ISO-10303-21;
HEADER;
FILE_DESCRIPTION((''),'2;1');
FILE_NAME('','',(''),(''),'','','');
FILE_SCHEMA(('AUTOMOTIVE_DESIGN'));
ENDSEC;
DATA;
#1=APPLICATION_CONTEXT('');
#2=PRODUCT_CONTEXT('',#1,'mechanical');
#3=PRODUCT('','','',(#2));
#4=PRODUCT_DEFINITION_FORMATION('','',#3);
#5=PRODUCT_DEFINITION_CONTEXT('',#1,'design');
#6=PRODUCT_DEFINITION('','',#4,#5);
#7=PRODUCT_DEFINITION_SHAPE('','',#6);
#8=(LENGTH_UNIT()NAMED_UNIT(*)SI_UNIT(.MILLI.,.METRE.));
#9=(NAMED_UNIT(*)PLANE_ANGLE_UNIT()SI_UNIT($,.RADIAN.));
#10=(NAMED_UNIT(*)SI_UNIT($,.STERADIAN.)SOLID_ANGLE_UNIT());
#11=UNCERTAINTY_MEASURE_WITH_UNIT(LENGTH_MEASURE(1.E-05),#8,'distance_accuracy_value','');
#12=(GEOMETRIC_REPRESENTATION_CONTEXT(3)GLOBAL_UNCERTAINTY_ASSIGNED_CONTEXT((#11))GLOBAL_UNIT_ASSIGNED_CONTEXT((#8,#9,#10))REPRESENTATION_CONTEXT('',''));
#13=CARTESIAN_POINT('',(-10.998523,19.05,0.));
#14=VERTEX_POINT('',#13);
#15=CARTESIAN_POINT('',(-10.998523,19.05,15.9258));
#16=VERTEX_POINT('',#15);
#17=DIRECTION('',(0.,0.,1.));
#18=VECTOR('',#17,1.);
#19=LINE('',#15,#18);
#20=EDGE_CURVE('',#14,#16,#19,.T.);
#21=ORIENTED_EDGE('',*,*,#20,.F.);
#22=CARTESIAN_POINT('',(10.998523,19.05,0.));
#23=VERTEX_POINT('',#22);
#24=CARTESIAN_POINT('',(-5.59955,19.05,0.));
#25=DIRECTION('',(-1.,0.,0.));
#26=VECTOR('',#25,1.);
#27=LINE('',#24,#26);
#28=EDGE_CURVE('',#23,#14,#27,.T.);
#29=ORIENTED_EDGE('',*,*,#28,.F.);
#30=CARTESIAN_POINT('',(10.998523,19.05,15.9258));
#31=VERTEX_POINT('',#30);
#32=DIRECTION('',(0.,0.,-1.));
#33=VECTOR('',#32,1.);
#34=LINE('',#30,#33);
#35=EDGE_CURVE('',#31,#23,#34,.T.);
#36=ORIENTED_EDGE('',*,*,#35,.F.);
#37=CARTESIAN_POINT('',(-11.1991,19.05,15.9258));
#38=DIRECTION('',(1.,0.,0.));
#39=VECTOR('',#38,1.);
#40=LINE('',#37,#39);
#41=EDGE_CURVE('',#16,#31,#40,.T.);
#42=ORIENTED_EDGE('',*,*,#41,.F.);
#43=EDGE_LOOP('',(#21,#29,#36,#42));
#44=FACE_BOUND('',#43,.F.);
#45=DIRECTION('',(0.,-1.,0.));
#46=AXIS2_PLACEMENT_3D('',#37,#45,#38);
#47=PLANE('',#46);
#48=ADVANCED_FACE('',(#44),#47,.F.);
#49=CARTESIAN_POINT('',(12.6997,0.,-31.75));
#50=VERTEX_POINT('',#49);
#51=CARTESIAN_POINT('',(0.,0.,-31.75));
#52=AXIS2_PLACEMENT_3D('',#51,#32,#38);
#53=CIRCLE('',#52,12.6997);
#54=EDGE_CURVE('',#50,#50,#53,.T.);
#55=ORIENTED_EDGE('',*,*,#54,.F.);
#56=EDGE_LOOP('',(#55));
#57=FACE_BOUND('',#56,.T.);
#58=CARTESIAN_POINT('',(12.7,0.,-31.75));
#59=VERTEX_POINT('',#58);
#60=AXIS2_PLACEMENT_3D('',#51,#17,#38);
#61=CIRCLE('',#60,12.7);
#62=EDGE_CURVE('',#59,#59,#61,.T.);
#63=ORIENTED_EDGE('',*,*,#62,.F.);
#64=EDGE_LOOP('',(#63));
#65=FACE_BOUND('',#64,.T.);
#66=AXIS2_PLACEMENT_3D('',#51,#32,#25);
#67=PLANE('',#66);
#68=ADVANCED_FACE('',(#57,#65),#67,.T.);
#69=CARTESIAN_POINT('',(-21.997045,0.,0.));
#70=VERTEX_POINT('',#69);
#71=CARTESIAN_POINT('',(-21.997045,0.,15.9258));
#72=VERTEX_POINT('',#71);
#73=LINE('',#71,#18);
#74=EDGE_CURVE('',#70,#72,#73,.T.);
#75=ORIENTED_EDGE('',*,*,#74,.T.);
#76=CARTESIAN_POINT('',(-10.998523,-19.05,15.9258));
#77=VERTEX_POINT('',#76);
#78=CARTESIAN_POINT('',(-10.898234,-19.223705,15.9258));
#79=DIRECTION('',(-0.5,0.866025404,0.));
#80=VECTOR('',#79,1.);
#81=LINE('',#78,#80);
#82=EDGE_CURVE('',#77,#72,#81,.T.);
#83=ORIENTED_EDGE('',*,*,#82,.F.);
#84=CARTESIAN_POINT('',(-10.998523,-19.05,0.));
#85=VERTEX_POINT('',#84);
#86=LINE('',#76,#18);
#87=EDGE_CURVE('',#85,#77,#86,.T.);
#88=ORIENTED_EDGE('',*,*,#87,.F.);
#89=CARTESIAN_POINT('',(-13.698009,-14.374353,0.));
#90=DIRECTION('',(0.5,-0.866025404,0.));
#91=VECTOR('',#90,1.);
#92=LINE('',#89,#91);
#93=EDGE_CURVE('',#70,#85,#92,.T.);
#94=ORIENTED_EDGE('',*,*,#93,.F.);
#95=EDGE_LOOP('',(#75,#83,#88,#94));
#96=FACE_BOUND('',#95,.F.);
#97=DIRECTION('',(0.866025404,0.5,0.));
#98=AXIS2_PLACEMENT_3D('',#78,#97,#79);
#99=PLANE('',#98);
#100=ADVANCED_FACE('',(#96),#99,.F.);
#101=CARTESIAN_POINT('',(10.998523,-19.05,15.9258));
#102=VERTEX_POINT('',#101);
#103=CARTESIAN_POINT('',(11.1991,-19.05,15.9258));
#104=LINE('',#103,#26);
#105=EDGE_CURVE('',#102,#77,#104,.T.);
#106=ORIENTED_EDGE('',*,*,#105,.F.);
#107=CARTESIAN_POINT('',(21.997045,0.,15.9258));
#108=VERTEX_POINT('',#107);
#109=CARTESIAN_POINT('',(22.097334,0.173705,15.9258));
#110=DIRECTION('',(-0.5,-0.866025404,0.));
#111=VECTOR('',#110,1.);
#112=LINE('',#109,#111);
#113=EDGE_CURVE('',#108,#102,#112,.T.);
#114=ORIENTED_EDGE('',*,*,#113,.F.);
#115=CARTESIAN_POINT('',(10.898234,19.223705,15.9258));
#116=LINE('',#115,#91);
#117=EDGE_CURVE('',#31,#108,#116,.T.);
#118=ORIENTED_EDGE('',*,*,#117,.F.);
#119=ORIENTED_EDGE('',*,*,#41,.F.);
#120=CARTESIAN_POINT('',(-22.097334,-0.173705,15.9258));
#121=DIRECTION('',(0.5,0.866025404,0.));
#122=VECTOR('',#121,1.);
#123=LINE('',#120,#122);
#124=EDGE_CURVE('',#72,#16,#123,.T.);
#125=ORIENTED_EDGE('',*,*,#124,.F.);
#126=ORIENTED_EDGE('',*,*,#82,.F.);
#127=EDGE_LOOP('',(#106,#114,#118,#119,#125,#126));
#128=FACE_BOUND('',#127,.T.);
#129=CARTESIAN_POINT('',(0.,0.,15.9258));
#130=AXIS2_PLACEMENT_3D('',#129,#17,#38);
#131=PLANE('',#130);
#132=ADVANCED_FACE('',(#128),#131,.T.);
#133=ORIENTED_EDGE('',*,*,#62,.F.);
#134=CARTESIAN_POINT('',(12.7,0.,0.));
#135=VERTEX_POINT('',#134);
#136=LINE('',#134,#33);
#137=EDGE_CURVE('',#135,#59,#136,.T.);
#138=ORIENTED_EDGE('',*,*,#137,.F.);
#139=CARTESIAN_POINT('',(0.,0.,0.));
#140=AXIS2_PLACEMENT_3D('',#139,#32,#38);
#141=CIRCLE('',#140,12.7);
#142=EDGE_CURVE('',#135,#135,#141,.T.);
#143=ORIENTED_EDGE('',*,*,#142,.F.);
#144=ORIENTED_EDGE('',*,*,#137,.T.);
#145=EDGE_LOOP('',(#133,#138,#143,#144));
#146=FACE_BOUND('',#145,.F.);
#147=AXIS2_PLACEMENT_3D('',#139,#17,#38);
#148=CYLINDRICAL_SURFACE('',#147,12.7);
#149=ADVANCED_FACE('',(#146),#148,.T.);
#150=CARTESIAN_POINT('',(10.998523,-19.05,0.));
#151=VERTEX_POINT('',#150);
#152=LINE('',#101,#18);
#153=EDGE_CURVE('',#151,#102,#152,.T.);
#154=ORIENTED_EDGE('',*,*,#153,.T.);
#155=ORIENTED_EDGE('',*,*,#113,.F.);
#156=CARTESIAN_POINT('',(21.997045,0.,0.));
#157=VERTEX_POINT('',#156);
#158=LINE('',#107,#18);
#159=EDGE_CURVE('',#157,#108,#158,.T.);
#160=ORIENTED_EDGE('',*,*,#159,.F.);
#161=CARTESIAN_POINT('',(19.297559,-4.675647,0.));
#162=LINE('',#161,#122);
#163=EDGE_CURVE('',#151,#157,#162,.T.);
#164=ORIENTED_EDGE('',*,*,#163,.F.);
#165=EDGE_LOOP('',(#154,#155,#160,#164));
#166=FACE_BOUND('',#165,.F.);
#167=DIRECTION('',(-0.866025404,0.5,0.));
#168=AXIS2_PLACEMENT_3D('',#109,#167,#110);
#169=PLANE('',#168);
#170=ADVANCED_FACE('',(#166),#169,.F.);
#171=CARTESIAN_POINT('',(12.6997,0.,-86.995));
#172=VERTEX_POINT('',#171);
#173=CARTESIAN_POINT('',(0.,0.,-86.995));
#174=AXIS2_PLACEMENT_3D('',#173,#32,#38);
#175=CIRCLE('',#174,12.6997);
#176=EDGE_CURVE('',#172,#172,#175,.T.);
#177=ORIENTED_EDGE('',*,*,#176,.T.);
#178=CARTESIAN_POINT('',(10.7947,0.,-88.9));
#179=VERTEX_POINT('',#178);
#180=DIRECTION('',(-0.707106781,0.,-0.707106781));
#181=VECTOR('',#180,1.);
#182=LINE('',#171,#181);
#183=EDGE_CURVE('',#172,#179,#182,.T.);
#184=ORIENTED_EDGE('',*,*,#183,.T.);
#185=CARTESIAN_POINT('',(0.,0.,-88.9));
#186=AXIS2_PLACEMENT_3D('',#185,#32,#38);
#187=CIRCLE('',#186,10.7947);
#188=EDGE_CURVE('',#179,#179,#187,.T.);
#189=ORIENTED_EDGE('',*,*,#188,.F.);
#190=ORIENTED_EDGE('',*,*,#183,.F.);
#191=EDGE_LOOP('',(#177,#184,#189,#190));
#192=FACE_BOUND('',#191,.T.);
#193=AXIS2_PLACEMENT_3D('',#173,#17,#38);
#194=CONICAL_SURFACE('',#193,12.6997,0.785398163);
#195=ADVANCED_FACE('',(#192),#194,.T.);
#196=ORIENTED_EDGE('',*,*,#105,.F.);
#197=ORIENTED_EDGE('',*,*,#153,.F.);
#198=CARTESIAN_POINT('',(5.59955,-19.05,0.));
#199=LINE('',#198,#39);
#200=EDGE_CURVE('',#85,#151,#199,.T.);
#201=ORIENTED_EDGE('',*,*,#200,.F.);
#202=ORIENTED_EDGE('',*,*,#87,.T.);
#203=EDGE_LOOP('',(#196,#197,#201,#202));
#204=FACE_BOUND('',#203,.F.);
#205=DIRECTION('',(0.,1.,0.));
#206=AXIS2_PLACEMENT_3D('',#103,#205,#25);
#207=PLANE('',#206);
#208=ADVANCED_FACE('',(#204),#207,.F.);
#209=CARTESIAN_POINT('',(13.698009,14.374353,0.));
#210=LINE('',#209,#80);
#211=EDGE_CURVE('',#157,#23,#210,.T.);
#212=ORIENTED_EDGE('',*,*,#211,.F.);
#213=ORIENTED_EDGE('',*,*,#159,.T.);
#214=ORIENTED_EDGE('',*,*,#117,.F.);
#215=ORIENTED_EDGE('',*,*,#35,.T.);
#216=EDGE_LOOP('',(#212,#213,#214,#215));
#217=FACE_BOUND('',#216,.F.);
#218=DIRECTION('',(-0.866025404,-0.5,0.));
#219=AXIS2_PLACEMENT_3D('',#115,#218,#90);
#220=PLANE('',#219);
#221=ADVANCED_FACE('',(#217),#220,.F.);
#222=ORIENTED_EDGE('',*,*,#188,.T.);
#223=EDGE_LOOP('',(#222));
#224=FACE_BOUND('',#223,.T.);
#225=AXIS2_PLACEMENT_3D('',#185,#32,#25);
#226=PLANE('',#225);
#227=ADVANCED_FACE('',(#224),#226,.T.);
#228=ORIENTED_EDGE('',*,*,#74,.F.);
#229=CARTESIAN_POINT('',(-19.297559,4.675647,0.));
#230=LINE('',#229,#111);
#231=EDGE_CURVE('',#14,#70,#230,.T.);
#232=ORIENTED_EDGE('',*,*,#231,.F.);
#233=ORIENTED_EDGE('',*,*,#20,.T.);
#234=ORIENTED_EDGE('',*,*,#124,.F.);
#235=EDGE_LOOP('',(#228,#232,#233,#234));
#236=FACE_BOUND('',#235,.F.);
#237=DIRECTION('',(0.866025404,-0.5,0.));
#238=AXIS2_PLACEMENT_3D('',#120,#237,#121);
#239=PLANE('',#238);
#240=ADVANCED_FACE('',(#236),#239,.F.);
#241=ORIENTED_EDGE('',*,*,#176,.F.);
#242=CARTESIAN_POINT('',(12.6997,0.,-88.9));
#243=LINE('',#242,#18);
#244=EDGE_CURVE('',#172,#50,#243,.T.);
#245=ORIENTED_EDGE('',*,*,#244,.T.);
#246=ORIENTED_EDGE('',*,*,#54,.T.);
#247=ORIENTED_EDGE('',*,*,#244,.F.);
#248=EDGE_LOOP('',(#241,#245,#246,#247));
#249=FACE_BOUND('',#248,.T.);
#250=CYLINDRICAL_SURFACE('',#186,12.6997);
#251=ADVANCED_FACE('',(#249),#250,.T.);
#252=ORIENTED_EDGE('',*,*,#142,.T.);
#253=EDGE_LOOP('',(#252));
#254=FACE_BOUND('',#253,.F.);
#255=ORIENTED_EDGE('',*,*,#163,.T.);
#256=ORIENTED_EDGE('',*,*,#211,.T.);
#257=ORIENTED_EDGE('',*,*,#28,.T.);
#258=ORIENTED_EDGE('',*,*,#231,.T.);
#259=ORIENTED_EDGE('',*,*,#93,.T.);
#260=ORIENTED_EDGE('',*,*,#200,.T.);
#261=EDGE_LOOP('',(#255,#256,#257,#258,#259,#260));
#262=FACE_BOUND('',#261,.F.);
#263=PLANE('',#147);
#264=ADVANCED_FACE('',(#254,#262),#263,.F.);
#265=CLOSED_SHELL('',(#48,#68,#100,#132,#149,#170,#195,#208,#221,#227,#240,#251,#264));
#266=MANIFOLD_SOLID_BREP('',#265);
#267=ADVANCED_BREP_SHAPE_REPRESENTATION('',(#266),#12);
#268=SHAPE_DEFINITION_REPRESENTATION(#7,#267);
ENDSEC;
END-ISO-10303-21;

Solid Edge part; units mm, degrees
sketch "Sketch1" plane through (0, 0, 0) normal (0, 0, 1) x (1, 0, 0)
  circle A0 centre (0, 0) radius 22.098
  dimension "D1" = 44.196
extrude "Protrusion1" add sketch "Sketch1" along normal blind 15.9258
sketch "Sketch2" plane through (0, 0, 0) normal (0, 0, -1) x (1, 0, 0)
  circle A0 centre (0, 0) radius 12.7
extrude "Protrusion2" add sketch "Sketch2" along normal blind 88.9
sketch "Sketch3" plane through (0, 0, -88.9) normal (0, 0, -1) x (1, 0, 0)
  circle A0 centre (0, 0) radius 12.6997
extrude "Cutout1" cut sketch "Sketch3" against normal blind 57.15 flip side to cut
chamfer "Chamfer_1" distance 1.905 angle 45 1 edges at (-12.6997, 0, -88.9)
sketch "Sketch4" plane through (0, 0, 15.9258) normal (0, 0, 1) x (1, 0, 0)
  line L0 (-11.1991, 19.05) -> (11.1991, 19.05)
  dimension "D1" = 38.1
extrude "Cutout2" cut sketch "Sketch4" against normal up to next material side at (0, 19.1, 15.9258)
pattern_circular "Pattern1" count 6 over 360 about axis through (0, 0, 15.9258) along (0, 0, 1) of "Cutout2"
properties part number "24107015"
